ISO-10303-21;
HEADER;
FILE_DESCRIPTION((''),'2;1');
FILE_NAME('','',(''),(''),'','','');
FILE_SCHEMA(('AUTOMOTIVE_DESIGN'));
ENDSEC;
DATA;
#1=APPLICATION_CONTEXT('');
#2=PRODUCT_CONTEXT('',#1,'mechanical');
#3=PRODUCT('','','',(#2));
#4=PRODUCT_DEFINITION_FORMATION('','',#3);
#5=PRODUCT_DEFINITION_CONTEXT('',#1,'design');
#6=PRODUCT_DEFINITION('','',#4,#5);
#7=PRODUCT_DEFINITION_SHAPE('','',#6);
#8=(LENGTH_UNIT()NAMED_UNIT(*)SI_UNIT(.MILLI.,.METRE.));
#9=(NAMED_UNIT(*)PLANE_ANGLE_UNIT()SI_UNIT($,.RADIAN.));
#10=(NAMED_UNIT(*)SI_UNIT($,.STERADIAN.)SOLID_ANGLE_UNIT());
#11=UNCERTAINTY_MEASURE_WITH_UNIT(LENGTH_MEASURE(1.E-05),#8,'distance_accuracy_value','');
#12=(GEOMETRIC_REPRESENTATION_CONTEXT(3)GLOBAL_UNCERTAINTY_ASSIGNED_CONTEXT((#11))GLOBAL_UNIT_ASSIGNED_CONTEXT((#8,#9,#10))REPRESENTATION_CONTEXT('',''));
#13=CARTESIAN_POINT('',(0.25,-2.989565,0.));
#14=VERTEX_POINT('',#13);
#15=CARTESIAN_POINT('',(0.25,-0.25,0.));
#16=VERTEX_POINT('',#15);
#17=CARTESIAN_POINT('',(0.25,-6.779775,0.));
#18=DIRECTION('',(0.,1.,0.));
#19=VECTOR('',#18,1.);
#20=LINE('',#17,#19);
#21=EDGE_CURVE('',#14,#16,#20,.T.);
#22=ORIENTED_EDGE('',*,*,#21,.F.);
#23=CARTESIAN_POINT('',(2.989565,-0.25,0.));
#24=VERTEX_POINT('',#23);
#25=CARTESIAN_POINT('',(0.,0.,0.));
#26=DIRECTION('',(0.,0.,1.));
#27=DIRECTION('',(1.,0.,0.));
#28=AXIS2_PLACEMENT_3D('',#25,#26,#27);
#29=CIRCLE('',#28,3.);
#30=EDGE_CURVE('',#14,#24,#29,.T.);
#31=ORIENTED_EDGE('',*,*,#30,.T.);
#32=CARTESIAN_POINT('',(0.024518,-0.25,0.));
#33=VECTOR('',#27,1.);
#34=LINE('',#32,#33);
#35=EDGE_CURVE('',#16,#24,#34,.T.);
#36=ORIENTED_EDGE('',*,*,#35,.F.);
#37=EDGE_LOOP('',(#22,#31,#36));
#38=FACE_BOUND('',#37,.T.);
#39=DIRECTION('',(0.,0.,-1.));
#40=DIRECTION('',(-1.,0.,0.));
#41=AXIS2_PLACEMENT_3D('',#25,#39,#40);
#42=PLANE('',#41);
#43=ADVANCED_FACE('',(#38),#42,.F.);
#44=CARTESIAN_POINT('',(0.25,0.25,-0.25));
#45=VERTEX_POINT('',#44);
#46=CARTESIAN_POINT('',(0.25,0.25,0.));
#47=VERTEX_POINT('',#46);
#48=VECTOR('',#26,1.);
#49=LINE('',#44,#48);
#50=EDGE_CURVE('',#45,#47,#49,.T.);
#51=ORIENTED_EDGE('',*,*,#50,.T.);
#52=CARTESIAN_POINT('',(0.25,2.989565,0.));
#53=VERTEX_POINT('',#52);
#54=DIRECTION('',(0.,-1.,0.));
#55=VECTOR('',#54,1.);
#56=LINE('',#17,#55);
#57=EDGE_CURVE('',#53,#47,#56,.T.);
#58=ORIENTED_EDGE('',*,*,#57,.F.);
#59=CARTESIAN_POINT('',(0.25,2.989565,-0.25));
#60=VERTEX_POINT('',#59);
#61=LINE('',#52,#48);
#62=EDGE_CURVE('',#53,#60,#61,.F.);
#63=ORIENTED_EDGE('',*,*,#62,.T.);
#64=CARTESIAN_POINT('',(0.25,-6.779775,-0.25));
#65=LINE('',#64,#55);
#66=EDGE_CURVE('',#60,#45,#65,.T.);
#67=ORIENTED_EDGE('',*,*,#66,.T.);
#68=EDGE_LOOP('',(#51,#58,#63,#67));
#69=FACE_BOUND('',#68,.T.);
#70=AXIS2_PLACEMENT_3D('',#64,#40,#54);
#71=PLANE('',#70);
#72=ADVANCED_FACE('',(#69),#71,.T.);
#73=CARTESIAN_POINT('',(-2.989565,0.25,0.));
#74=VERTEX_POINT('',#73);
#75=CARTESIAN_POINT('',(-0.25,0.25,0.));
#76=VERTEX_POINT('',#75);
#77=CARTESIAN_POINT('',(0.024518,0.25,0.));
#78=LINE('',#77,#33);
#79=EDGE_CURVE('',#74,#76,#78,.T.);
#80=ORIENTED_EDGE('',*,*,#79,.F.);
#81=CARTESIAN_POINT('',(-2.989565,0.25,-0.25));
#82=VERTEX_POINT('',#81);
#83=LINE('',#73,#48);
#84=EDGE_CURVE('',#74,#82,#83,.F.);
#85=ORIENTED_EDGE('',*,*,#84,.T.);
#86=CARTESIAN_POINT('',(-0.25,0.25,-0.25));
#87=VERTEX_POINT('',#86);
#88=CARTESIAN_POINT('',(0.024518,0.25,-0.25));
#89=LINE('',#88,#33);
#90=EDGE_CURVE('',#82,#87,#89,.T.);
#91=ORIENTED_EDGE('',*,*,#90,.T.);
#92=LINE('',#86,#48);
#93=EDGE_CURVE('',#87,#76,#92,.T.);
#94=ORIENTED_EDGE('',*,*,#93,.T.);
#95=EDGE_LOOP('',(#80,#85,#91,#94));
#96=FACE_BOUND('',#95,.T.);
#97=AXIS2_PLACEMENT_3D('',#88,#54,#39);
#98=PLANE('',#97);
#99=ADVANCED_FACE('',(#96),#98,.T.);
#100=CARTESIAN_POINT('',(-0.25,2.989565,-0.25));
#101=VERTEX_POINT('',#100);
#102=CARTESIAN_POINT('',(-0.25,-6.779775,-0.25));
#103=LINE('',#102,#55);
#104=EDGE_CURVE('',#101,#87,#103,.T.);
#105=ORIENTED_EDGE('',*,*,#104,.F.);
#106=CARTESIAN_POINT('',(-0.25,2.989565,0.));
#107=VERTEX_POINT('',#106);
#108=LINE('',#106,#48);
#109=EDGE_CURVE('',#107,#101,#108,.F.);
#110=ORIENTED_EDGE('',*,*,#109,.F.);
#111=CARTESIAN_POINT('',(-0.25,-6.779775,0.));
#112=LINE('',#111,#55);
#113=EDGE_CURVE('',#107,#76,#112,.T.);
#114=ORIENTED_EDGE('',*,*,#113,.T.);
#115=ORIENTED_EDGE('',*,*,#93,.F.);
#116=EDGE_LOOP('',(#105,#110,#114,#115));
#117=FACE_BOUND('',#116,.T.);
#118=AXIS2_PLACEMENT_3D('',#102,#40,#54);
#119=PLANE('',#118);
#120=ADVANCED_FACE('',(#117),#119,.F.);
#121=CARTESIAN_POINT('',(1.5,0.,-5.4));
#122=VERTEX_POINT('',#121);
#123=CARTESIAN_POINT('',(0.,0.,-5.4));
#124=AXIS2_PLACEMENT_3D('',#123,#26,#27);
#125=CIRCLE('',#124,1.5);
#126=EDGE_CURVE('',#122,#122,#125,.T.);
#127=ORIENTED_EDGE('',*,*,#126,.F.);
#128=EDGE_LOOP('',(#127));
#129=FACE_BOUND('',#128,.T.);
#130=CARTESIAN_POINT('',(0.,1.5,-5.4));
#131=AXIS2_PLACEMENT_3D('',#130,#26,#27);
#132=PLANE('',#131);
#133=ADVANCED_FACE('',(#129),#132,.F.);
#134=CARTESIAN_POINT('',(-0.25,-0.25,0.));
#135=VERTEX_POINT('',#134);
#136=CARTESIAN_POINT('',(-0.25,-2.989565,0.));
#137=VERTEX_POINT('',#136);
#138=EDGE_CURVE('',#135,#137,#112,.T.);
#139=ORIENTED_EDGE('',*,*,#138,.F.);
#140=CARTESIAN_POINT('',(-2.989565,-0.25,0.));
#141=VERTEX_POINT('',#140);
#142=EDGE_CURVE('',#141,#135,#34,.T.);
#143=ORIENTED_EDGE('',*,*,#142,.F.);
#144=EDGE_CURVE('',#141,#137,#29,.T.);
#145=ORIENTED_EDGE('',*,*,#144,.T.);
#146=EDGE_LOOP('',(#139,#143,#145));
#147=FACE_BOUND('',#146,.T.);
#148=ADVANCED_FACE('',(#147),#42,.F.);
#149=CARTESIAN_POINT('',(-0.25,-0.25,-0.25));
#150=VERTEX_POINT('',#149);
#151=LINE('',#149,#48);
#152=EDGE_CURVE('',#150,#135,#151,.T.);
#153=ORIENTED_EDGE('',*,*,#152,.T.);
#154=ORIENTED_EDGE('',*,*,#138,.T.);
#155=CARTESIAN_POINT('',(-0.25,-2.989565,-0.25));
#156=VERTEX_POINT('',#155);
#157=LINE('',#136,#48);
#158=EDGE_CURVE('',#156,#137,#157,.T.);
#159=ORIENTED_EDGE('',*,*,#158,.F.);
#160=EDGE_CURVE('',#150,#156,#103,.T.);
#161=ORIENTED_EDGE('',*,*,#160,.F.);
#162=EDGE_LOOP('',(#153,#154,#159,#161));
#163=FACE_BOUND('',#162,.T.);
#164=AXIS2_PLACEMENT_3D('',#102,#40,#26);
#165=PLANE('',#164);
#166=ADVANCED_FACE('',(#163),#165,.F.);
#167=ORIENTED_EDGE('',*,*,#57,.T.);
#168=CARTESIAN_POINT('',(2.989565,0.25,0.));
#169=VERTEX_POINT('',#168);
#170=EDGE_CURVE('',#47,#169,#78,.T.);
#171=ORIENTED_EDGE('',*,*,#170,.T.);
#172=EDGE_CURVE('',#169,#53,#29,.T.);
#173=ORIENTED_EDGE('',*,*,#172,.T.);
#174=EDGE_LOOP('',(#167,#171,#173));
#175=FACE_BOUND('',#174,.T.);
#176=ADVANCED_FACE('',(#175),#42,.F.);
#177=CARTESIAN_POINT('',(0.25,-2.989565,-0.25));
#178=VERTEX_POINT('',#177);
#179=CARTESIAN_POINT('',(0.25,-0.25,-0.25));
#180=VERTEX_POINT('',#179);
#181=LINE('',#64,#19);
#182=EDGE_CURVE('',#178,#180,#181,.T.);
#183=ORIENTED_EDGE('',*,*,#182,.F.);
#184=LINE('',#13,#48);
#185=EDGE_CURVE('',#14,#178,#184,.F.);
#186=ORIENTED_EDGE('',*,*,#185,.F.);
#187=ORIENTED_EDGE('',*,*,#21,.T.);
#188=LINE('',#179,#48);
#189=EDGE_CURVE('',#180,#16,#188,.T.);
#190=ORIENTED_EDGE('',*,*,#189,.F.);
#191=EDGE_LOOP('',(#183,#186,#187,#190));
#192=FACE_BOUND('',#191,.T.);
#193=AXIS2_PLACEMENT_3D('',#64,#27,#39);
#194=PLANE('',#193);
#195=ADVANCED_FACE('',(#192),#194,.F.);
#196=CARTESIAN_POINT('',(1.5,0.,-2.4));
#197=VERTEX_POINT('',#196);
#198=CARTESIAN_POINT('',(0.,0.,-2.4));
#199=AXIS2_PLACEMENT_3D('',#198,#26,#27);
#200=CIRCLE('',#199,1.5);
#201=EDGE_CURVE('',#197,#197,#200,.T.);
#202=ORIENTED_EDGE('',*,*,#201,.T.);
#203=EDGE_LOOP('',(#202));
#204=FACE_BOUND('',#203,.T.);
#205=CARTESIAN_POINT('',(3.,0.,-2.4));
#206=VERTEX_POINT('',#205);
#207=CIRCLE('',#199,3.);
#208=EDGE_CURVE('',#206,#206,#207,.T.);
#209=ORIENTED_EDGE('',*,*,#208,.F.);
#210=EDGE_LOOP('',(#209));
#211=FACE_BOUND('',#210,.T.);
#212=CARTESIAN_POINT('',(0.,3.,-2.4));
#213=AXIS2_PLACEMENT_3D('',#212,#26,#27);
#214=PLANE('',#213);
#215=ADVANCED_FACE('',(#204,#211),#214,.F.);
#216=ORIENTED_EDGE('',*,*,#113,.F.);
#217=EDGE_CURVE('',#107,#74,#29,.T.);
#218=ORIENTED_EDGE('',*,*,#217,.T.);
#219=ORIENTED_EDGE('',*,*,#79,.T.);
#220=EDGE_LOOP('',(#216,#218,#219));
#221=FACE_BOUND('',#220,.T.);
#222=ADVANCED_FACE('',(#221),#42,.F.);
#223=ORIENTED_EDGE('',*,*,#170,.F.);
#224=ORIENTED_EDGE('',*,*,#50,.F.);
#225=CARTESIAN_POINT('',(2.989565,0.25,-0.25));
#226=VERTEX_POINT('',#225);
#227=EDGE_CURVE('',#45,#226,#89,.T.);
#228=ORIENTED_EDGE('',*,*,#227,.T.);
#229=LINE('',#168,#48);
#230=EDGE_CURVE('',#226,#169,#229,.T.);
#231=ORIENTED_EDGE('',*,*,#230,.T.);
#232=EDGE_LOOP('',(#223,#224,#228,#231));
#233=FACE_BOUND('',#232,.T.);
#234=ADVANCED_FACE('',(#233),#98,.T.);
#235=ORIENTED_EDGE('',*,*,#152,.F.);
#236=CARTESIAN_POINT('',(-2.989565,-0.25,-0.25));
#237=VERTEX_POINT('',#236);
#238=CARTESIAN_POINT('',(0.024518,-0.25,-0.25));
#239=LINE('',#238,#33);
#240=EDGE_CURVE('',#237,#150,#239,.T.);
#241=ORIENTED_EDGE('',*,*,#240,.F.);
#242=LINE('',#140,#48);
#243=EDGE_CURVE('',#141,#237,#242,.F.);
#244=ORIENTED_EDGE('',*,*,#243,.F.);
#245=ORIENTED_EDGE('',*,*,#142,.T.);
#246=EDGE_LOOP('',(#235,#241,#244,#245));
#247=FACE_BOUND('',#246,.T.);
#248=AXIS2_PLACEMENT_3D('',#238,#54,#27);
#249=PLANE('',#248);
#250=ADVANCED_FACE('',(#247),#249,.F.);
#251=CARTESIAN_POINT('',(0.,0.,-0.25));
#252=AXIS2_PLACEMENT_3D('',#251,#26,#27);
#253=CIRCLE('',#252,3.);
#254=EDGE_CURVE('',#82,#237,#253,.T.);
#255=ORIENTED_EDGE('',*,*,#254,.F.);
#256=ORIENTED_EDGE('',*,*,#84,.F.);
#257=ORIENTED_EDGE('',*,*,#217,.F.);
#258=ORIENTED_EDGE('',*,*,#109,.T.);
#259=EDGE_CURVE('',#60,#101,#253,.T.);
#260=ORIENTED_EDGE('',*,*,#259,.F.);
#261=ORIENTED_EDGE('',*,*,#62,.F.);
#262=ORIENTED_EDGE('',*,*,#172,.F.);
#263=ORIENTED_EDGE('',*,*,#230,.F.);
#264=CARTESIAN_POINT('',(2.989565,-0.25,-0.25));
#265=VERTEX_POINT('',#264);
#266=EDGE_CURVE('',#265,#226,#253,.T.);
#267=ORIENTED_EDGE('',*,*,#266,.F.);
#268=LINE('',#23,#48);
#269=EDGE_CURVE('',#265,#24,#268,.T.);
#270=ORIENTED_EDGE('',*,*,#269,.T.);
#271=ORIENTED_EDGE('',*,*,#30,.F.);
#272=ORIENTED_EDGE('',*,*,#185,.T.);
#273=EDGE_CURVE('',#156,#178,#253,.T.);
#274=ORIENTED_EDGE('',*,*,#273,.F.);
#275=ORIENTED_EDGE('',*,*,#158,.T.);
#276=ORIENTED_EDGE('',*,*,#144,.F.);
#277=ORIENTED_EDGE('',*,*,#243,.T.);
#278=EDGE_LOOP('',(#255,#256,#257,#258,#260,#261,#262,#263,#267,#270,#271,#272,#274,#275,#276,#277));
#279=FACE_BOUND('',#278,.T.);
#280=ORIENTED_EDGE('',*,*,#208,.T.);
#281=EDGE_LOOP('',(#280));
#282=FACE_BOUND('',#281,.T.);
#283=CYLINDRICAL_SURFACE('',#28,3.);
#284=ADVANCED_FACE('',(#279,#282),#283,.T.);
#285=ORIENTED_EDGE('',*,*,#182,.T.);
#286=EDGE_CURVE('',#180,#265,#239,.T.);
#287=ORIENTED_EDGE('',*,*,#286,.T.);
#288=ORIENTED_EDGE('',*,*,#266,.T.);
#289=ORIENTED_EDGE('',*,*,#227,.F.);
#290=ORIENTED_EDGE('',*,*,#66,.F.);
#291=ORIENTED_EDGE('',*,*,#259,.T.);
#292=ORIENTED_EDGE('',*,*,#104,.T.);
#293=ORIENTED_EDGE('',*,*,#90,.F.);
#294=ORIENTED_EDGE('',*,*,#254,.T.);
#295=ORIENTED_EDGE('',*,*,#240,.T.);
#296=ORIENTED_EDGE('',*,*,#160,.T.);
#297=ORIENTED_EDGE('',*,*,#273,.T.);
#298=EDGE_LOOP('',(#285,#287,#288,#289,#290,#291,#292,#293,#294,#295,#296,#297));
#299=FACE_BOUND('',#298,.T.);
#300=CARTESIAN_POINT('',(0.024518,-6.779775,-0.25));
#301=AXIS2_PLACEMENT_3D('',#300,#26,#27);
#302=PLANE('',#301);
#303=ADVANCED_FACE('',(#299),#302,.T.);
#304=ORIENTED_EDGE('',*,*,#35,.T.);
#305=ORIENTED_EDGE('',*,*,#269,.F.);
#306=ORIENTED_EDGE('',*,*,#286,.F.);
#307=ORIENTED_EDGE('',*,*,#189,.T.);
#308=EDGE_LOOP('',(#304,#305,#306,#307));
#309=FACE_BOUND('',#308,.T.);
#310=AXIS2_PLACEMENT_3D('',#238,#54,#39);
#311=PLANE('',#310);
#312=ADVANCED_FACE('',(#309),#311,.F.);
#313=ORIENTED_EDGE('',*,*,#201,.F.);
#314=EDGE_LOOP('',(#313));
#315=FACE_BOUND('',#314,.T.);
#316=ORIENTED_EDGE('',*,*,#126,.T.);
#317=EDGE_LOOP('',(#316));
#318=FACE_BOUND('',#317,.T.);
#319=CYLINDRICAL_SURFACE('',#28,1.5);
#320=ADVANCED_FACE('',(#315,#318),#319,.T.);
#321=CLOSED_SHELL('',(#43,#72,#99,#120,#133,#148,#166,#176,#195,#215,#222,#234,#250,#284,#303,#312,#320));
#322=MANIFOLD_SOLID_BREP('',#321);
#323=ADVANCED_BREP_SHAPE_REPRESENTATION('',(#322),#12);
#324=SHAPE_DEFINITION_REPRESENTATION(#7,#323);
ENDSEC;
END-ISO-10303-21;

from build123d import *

# Parameters (mm, degrees)
CUT_EXTRUDE1_DEPTH = 0.25


with BuildPart() as part:
    # Sketch1 → Revolve1 (revolve)
    with BuildSketch(Plane(origin=(0, 0, 0), x_dir=(0, 0, -1), z_dir=(1, 0, 0)), mode=Mode.PRIVATE) as revolve1_sk:
        Polygon((0, 0), (0, 3), (2.4, 3), (2.4, 1.5), (5.4, 1.5), (5.4, 0), align=None)
    revolve(revolve1_sk.sketch.rotate(Axis((0, 0, 0), (0, 0, -1)), 90), axis=Axis((0, 0, 0), (0, 0, -1)))

    # Sketch2 → Cut-Extrude1 (cut)
    with BuildSketch(Plane.XY):
        Polygon((-0.25, 3), (-0.25, 0.25), (-3, 0.25), (-3.446498645, 0), (-3, -0.25), (-0.25, -0.25), (-0.25, -2), (-0.25, -3.474150095), (0.25, -3.474150095), (0.25, -2), (0.25, -0.25), (2, -0.25), (3.076862429, -0.25), (4.006902363, -0.319251284), (4.006902363, 0.25), (2, 0.25), (0.25, 0.25), (0.25, 3), (0, 3.446498645), align=None)
    extrude(amount=-CUT_EXTRUDE1_DEPTH, mode=Mode.SUBTRACT)


solid = part.part
